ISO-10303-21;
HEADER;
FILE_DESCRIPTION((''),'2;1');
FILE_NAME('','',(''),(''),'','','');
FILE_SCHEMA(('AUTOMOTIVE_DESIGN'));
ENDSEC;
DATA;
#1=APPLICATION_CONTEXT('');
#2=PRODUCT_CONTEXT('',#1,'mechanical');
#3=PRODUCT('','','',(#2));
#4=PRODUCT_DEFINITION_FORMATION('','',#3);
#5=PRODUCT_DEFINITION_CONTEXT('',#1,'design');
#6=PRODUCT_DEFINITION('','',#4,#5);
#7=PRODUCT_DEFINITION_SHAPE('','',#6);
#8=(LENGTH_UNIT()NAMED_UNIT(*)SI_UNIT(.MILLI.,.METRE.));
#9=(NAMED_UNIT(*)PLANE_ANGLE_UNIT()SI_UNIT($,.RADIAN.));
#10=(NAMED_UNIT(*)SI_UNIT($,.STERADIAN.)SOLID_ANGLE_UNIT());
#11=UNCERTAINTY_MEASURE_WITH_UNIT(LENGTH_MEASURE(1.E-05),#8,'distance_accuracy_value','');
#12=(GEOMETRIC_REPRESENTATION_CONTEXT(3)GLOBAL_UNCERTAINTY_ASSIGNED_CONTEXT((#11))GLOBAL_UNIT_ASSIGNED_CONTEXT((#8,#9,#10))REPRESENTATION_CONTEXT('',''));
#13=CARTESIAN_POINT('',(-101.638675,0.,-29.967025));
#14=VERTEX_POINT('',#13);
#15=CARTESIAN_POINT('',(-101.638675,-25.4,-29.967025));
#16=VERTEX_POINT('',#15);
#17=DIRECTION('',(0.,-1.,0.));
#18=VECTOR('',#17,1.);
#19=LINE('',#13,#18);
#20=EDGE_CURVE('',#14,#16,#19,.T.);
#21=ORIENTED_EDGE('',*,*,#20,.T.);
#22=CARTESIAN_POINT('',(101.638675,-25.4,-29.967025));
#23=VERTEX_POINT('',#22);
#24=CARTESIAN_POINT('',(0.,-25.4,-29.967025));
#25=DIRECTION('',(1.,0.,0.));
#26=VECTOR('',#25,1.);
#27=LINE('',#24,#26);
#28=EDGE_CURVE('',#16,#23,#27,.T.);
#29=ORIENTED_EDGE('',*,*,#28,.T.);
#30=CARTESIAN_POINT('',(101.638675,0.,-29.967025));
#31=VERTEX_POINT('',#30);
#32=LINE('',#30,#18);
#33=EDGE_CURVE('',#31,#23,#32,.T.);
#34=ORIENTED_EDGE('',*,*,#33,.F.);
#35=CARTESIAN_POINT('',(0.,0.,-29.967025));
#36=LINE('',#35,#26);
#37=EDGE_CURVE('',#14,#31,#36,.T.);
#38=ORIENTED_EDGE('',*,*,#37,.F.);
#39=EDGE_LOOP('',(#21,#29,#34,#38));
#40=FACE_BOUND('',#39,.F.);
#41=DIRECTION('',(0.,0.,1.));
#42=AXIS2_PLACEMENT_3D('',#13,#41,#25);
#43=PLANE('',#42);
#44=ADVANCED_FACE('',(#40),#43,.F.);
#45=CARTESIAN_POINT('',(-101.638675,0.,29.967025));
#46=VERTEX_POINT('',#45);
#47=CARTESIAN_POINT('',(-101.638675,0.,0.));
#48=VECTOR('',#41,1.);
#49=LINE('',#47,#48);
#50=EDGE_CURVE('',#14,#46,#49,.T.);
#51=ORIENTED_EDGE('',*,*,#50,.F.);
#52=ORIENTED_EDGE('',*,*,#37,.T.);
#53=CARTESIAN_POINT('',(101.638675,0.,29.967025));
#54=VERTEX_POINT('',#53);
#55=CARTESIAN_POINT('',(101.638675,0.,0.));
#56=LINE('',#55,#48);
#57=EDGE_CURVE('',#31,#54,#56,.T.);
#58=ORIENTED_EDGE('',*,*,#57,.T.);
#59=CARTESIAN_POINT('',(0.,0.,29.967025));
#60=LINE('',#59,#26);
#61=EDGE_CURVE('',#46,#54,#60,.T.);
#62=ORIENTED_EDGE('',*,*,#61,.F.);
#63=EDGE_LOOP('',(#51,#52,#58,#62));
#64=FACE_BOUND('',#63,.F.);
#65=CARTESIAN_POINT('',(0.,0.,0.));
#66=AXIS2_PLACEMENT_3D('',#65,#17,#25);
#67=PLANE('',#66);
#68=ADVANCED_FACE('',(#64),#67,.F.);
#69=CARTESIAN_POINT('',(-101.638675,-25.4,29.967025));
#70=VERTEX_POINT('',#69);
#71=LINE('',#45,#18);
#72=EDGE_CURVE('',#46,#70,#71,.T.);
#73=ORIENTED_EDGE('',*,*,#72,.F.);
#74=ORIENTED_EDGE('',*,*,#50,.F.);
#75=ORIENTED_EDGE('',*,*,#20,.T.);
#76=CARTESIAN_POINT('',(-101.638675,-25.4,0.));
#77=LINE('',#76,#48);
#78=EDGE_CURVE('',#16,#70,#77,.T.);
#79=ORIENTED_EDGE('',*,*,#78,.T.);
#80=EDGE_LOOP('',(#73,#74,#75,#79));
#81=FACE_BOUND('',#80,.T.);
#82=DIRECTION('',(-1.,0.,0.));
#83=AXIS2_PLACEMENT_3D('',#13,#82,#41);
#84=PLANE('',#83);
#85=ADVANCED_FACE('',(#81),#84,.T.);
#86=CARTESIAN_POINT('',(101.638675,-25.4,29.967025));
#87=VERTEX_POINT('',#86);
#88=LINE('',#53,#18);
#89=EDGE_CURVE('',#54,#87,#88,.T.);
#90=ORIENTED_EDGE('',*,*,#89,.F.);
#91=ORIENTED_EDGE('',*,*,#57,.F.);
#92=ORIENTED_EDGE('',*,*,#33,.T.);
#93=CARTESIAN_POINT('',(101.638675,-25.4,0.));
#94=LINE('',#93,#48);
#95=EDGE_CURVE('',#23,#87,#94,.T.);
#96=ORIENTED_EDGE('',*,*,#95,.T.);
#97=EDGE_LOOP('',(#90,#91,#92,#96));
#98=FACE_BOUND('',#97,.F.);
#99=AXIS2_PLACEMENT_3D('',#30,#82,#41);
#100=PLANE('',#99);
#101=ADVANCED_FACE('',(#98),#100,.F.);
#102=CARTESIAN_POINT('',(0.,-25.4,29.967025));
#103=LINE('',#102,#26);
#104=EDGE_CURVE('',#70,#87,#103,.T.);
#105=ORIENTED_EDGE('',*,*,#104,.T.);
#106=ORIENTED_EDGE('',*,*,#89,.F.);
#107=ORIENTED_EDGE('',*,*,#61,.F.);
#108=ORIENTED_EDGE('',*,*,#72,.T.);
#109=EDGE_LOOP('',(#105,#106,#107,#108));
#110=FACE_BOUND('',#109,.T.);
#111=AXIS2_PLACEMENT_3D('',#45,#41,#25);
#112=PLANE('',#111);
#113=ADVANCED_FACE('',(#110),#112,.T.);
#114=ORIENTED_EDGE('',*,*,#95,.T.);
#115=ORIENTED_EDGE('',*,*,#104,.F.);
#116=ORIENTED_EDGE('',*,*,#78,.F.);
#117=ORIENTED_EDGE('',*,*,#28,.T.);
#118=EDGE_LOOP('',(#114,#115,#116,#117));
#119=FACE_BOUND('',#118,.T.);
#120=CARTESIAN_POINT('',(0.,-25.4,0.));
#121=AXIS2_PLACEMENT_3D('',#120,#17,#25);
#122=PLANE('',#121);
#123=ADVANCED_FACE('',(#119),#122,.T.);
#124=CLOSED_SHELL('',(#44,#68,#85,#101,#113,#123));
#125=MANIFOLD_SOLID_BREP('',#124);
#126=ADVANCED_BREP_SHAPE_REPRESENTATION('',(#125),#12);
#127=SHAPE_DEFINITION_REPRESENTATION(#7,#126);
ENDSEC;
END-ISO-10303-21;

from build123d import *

# Parameters (mm, degrees)
F0_W     = 203.27735
F0_H     = 59.93405
F1_DEPTH = 25.4


with BuildPart() as f1:
    # F0 (on Front) → F1 (new body)
    with BuildSketch(Plane.XZ):
        Rectangle(F0_W, F0_H)
    extrude(amount=F1_DEPTH)


solid = f1.part
